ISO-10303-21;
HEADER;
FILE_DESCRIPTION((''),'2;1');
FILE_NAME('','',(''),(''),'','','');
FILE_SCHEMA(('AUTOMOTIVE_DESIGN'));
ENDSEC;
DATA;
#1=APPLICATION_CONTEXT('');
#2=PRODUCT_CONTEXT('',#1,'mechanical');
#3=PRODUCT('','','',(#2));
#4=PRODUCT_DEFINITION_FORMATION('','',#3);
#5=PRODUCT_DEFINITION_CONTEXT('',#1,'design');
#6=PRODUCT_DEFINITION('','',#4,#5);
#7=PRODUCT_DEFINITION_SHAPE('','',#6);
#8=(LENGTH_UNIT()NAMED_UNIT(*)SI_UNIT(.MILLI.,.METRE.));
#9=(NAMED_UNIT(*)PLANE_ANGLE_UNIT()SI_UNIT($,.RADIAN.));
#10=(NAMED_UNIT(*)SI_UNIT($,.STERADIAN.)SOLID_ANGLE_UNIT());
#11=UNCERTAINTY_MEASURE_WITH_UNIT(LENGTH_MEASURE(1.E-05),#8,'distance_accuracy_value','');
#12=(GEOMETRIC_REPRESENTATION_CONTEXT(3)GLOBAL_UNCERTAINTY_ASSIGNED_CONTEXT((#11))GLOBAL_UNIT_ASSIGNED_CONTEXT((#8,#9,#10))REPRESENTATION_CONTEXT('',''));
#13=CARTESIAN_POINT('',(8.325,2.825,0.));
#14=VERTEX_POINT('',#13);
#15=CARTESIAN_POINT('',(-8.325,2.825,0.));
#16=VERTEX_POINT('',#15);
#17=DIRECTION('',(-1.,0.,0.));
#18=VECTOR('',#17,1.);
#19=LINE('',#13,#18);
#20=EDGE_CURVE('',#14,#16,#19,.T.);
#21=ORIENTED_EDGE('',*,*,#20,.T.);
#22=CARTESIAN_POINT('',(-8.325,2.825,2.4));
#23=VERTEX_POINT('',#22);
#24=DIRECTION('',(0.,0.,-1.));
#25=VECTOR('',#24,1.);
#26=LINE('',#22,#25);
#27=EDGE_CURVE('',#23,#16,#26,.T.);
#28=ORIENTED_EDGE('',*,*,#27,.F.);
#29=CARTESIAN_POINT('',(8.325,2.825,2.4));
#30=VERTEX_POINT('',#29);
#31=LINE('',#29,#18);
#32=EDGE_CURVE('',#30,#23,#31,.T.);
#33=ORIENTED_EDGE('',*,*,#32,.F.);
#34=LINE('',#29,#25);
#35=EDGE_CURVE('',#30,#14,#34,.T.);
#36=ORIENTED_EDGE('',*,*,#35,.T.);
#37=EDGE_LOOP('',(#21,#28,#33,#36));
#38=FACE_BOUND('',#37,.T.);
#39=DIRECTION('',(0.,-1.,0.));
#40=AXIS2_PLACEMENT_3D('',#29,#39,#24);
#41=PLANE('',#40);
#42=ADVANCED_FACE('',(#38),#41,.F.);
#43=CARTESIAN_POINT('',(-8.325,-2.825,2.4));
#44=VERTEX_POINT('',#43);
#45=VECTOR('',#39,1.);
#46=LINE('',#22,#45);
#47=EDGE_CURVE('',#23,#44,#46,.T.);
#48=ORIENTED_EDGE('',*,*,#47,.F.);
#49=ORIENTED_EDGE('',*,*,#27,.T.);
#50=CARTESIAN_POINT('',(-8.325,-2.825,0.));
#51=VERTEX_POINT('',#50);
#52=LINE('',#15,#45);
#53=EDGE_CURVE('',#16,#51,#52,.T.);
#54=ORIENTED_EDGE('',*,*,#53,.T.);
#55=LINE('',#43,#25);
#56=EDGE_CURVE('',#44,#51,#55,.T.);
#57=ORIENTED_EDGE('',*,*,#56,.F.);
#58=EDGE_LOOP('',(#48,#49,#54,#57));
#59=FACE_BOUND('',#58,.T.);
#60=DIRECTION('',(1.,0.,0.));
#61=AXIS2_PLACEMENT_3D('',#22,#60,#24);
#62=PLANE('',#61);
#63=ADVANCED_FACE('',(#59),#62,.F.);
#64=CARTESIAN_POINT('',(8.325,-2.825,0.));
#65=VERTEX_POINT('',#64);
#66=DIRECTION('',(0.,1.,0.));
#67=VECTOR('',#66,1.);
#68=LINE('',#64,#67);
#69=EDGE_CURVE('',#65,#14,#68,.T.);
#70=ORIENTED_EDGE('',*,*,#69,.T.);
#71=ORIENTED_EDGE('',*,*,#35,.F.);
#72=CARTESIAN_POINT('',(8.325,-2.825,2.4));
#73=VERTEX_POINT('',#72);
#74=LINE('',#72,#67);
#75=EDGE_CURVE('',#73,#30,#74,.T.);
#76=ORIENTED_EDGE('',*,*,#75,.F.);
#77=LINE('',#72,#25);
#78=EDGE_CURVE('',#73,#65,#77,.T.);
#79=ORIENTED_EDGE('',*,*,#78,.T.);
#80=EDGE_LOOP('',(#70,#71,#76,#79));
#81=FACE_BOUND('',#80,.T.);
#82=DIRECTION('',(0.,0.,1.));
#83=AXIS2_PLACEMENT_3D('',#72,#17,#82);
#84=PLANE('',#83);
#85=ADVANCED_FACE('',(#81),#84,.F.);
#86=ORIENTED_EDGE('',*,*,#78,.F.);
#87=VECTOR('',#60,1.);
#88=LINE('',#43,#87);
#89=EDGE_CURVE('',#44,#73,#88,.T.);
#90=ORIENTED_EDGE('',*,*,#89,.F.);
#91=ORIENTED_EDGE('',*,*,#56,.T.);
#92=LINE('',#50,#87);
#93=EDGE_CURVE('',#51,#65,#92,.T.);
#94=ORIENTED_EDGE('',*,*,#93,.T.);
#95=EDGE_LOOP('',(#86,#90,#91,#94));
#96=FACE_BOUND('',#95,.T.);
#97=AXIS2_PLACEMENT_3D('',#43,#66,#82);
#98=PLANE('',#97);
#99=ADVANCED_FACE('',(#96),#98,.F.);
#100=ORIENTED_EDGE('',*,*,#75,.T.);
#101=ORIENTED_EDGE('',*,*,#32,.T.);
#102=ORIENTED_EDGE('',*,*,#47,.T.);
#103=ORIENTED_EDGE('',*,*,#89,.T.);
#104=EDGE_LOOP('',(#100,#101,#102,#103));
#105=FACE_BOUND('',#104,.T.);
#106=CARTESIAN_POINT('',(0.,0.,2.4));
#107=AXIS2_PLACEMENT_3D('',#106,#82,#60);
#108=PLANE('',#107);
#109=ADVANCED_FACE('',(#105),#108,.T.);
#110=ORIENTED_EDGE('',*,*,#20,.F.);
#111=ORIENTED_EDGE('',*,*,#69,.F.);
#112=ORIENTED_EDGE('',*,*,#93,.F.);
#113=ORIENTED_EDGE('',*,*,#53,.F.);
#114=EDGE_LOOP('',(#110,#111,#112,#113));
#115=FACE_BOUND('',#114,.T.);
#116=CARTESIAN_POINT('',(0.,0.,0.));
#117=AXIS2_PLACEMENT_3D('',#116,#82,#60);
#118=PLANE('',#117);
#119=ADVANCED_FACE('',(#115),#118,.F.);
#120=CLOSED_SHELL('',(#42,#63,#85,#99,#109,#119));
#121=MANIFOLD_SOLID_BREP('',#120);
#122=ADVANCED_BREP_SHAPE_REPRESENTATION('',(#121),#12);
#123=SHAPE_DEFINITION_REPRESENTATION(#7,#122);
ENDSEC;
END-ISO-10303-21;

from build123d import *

# Parameters (mm, degrees)
SKETCH_1_W      = 16.65
SKETCH_1_H      = 5.65
EXTRUDE_1_DEPTH = 2.4


with BuildPart() as part:
    # 草图1 → 凸台-拉伸1 (new body)
    with BuildSketch(Plane.XY):
        Rectangle(SKETCH_1_W, SKETCH_1_H)
    extrude(amount=EXTRUDE_1_DEPTH)


solid = part.part
